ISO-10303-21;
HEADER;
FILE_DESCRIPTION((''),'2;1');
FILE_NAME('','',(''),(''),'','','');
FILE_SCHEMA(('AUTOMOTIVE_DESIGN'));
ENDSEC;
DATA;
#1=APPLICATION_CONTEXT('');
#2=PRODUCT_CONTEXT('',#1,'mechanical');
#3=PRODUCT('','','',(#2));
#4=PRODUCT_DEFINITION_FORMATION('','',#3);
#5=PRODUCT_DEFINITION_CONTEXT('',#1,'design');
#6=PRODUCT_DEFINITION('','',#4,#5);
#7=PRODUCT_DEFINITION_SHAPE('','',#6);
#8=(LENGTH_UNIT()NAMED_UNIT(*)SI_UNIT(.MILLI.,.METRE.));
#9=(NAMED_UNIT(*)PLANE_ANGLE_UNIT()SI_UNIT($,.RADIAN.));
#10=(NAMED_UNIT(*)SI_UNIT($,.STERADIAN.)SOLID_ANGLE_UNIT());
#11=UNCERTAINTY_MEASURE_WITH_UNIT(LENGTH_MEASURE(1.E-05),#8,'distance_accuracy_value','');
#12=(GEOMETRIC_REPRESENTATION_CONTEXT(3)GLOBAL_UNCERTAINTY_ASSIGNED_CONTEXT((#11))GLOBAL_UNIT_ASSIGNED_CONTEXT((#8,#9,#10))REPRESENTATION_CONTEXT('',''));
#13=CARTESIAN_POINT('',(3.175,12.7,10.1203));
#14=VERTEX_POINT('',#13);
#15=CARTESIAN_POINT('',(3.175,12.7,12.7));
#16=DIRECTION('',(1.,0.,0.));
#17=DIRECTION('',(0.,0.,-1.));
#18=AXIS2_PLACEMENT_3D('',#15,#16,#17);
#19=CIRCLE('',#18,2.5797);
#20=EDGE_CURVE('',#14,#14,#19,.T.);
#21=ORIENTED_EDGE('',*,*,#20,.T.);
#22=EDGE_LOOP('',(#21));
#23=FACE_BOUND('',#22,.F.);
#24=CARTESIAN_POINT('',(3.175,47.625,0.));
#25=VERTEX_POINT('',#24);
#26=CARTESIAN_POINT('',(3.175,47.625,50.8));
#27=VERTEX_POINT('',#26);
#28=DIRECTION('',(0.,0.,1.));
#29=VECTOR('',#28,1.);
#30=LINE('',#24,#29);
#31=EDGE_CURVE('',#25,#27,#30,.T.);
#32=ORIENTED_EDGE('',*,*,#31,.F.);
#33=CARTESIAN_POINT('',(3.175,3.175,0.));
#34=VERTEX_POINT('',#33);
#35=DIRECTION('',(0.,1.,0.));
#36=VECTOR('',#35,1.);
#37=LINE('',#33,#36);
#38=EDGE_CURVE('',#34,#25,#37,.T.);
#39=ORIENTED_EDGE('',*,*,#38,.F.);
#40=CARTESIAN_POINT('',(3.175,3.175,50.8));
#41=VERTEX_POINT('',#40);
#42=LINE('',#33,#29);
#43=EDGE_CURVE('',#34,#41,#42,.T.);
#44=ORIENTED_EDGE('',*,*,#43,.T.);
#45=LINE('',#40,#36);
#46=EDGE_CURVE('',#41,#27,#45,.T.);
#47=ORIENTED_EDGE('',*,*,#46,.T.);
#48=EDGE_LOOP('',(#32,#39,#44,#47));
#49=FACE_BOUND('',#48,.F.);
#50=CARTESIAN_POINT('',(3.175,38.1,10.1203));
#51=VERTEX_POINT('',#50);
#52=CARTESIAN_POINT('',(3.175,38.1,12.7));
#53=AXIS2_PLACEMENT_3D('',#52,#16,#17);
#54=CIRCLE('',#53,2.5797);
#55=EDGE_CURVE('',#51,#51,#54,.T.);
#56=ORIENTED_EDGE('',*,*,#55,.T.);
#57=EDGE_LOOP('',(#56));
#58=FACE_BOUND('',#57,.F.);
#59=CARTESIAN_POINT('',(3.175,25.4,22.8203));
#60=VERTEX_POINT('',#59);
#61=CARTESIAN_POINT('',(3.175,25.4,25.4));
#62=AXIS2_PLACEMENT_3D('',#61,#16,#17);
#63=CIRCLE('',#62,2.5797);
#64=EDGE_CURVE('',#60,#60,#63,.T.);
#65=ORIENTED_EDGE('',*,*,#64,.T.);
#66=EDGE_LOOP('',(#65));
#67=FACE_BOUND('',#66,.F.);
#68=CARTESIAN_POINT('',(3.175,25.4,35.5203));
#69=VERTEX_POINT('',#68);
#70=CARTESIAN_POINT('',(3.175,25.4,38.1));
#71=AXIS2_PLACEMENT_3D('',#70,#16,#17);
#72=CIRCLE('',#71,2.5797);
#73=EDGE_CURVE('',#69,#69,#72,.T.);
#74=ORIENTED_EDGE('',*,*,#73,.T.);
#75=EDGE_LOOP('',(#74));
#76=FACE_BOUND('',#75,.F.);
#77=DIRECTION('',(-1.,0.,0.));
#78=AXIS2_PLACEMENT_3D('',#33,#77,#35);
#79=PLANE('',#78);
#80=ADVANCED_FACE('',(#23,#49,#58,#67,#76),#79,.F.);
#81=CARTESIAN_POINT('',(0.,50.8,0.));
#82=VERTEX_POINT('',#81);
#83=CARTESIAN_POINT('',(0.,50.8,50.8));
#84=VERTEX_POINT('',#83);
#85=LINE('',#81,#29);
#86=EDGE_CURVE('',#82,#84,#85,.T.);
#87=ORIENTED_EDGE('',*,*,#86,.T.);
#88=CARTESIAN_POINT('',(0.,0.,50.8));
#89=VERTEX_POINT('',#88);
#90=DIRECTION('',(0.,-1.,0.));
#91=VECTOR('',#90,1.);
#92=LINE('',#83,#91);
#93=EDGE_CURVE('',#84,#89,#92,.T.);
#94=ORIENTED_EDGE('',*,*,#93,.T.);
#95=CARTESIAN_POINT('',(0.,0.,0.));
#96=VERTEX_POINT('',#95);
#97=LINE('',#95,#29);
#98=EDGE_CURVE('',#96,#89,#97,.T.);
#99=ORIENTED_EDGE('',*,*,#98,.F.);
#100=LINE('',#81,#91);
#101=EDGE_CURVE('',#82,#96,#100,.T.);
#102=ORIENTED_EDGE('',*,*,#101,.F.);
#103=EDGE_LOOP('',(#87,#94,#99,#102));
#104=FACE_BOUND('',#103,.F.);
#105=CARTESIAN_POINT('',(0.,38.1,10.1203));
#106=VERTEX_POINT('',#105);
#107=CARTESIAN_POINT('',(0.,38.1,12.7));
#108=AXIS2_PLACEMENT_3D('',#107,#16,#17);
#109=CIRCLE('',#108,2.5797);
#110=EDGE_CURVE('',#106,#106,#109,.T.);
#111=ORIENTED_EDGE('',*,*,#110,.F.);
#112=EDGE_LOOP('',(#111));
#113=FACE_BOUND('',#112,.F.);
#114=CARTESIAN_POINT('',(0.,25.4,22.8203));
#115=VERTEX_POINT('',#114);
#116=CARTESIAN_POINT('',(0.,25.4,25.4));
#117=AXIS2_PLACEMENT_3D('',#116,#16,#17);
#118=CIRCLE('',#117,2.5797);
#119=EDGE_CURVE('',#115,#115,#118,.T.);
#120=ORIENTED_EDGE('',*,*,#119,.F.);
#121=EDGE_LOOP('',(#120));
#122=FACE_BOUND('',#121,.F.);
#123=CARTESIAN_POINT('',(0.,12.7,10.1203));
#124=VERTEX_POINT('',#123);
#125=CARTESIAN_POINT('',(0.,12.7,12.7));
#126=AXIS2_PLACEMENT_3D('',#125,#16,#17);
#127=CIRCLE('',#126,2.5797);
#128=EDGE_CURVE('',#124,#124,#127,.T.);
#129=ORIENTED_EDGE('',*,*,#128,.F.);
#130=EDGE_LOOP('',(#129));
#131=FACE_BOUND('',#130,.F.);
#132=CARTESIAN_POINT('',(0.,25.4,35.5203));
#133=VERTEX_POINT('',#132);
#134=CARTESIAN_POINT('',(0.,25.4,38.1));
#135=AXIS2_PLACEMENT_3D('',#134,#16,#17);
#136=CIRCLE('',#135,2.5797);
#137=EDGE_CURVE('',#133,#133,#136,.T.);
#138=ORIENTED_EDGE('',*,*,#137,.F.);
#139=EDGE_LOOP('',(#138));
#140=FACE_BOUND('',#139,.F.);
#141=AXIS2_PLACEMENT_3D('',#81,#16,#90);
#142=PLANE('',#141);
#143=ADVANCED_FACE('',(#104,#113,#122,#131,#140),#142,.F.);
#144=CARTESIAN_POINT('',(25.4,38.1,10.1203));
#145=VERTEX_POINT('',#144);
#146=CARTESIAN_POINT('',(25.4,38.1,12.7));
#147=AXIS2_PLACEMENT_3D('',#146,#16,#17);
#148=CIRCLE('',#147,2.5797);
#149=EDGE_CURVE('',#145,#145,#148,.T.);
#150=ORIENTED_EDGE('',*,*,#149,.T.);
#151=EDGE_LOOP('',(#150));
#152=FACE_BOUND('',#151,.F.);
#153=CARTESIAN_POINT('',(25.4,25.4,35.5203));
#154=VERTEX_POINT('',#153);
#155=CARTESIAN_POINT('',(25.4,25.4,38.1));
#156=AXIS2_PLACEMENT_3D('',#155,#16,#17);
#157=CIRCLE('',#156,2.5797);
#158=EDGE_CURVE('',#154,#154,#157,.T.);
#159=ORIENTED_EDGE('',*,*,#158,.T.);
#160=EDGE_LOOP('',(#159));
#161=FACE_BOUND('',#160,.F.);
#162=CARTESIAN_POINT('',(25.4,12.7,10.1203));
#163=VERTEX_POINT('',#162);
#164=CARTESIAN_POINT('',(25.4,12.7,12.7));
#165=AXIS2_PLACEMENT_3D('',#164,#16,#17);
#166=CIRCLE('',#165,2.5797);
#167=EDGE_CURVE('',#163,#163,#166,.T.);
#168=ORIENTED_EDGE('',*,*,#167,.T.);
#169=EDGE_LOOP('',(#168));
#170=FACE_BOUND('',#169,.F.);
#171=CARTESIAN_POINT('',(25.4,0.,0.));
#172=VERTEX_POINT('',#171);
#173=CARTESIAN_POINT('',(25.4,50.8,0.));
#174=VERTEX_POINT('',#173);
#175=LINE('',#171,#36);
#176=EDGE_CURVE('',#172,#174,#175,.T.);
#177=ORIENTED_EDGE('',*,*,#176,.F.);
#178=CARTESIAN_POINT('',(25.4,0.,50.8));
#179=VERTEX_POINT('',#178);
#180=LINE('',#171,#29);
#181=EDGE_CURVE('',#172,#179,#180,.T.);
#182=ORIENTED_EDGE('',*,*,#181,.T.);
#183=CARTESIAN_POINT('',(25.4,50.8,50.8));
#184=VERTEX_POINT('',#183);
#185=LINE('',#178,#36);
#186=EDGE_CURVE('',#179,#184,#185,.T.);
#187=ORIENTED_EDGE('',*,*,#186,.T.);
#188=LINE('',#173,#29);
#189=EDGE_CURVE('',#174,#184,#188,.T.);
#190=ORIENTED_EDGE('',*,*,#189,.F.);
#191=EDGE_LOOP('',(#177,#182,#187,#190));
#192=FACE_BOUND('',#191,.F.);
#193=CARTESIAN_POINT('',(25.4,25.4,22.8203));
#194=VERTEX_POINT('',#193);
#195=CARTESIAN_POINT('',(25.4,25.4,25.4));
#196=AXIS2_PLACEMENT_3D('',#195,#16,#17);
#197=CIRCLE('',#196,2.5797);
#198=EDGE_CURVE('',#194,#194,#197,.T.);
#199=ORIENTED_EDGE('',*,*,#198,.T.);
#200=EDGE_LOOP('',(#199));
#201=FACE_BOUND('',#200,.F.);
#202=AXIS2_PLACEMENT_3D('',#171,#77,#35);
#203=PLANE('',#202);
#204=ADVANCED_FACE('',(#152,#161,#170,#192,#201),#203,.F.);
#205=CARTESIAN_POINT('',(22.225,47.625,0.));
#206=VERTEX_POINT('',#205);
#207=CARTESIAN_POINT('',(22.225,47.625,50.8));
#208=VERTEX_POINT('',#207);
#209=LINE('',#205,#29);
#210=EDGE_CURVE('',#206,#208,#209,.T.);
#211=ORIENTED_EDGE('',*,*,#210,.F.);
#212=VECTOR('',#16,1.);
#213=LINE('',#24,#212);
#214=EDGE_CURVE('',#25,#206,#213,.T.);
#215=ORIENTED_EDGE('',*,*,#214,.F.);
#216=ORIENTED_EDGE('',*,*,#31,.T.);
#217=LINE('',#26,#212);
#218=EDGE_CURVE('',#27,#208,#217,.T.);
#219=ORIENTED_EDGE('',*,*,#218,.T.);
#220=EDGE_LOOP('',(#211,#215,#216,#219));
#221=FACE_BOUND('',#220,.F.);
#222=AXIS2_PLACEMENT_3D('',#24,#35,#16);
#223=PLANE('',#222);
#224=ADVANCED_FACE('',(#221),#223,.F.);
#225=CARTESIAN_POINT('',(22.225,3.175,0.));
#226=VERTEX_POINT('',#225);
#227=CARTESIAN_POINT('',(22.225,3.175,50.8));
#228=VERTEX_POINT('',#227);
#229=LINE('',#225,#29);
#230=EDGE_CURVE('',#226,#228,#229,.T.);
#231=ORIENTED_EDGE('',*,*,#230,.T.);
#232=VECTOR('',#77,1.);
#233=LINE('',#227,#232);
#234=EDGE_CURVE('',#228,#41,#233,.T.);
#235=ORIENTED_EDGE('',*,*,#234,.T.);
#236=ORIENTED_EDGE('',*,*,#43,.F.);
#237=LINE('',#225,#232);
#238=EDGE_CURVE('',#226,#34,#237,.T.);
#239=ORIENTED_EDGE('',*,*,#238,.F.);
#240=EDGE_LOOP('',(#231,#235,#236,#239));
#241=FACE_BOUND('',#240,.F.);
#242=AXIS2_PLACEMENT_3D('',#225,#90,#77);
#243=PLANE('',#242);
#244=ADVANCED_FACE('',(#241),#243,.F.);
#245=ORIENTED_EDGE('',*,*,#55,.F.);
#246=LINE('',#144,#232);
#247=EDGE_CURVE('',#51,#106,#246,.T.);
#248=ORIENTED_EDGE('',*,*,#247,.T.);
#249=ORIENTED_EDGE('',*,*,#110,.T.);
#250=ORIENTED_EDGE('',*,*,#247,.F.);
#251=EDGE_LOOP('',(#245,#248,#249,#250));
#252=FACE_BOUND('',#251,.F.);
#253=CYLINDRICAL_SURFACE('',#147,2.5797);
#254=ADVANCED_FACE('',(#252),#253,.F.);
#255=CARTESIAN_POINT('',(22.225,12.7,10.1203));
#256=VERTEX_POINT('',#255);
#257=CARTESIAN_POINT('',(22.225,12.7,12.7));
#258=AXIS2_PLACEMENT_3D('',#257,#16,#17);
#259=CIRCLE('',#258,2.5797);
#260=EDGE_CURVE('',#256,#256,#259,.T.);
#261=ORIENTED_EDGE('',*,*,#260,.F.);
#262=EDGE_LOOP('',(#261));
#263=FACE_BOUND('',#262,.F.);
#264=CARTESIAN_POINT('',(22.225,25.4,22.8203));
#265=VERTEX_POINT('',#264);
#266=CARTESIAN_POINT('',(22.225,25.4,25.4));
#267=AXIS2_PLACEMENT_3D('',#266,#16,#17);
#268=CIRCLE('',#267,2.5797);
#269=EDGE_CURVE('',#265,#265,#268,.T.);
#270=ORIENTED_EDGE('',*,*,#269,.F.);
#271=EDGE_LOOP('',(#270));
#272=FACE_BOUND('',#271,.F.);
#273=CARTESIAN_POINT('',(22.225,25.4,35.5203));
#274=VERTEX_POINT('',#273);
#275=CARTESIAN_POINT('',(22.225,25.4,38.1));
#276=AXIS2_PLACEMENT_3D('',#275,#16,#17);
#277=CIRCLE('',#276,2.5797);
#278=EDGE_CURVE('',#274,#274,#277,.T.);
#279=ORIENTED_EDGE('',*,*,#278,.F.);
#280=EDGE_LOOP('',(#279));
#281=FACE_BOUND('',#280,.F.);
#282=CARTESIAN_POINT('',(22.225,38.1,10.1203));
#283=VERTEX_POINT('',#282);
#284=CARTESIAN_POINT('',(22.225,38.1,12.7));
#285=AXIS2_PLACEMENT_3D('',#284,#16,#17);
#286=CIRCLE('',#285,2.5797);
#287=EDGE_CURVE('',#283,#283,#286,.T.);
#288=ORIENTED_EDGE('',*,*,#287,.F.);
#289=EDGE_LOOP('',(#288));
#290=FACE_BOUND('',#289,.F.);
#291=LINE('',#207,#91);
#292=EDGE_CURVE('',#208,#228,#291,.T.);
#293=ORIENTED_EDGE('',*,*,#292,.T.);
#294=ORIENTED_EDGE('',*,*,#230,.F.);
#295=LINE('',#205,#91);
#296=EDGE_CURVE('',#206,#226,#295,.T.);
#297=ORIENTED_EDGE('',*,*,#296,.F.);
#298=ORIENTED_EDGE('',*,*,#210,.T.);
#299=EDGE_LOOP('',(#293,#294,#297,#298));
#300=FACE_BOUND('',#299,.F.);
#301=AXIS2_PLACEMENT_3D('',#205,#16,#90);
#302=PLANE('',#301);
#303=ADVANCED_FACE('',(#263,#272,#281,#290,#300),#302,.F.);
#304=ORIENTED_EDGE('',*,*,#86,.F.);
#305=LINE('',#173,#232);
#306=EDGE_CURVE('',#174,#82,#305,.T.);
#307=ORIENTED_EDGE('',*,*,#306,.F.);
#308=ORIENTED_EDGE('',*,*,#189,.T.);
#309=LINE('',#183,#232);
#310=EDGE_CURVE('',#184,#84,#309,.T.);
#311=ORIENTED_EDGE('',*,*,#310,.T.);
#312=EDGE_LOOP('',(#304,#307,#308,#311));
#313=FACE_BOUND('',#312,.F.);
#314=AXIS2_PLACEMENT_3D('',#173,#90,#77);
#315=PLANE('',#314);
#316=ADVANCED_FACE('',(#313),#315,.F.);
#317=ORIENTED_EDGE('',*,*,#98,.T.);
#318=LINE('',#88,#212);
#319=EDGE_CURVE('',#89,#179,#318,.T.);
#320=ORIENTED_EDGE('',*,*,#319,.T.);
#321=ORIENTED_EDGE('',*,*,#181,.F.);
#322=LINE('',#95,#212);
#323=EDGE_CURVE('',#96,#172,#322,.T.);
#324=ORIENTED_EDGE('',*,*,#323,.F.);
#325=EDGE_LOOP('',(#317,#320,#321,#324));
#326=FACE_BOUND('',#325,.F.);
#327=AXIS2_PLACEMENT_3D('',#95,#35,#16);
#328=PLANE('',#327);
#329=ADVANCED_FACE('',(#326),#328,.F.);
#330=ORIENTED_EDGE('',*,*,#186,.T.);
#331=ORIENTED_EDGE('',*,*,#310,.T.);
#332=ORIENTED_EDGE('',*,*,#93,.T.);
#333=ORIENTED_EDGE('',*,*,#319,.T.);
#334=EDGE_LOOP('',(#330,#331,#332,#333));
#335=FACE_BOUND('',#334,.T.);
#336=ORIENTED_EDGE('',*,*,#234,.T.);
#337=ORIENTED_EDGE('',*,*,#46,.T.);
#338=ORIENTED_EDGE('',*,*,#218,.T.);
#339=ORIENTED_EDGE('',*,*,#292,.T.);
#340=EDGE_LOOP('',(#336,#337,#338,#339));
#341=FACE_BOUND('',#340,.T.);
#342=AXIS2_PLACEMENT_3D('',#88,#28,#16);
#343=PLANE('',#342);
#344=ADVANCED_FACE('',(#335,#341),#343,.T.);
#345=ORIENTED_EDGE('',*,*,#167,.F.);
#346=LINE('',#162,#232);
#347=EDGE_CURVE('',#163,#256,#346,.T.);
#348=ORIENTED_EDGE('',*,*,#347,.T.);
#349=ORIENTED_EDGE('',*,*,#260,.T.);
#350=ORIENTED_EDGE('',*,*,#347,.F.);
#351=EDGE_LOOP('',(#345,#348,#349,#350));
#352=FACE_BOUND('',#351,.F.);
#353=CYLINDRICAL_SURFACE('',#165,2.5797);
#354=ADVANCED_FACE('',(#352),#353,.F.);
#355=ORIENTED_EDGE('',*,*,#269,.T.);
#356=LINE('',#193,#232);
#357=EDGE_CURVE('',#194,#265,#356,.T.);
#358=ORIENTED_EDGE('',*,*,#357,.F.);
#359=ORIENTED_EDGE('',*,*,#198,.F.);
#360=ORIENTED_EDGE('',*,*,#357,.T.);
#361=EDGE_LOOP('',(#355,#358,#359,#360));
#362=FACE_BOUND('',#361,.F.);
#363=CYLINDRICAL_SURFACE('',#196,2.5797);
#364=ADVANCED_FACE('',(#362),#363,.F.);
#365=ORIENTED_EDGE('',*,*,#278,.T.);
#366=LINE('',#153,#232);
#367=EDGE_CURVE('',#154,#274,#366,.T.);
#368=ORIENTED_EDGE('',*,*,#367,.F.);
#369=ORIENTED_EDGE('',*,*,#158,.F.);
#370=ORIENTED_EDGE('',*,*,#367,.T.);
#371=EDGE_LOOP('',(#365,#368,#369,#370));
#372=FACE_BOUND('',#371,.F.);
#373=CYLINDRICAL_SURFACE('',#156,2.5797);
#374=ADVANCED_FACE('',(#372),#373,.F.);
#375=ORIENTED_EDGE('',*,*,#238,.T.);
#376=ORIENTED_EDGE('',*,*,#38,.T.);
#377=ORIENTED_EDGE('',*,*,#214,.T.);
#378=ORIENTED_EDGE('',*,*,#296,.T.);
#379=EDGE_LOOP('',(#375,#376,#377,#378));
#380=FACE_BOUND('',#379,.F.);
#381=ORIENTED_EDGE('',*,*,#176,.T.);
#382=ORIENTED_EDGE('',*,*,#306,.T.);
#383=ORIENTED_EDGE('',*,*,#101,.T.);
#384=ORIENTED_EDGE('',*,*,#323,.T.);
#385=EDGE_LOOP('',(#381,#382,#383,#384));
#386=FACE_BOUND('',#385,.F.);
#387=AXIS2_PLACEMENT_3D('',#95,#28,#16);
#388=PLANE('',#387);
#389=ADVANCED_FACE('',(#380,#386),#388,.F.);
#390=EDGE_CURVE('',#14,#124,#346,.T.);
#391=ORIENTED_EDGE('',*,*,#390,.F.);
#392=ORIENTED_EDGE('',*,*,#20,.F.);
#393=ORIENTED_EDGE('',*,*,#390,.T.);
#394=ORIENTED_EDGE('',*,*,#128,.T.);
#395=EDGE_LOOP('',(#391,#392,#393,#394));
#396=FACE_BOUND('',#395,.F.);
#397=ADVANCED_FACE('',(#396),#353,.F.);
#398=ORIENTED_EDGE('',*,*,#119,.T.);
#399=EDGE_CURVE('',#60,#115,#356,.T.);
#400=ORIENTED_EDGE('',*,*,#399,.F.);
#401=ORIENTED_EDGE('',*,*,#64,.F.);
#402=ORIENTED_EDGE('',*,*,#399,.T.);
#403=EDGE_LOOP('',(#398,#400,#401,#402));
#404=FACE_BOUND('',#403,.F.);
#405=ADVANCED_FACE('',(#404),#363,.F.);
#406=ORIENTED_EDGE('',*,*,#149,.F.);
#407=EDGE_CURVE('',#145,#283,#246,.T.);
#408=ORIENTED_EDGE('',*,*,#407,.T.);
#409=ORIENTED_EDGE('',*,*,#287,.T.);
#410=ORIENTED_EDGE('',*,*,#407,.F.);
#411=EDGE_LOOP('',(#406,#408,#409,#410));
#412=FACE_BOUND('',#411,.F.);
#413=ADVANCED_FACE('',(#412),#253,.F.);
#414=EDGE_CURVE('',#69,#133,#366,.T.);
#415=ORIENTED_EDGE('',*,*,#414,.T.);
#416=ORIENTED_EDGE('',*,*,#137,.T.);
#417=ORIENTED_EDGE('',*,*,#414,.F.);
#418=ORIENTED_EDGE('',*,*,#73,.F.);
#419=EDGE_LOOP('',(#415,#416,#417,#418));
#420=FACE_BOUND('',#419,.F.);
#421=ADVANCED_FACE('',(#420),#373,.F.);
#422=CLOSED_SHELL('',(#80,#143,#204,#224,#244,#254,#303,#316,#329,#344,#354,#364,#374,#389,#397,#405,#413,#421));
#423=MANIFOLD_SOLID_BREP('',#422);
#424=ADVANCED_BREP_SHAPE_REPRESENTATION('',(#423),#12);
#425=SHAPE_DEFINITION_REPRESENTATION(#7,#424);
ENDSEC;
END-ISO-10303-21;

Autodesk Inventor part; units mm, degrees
ref_plane "YZ Plane" through (0, 0, 0) normal (1, 0, 0) x (0, 1, 0)
ref_plane "XZ Plane" through (0, 0, 0) normal (0, 1, 0) x (-1, 0, 0)
ref_plane "XY Plane" through (0, 0, 0) normal (0, 0, 1) x (1, 0, 0)
sketch "Sketch1" plane through (0, 0, 0) normal (0, 0, 1) x (1, 0, 0)
  line L0 (0, 0) -> (25.4, 0)
  line L1 (25.4, 0) -> (25.4, 50.8)
  line L2 (25.4, 50.8) -> (0, 50.8)
  line L3 (0, 50.8) -> (0, 0)
  line L4 (3.175, 47.625) -> (22.225, 47.625)
  line L5 (22.225, 47.625) -> (22.225, 3.175)
  line L6 (22.225, 3.175) -> (3.175, 3.175)
  line L7 (3.175, 3.175) -> (3.175, 47.625)
  dimension "d0" = 25.4
  dimension "d1" = 50.8
  dimension "d2" = 3.175
extrude "Extrusion1" add sketch "Sketch1" along normal blind 50.8
sketch "Sketch2" plane through (25.4, 0, 0) normal (1, 0, 0) x (0, 0, -1)
  line L0 (0, 50.8) -> (0, 0) construction
  line L1 (0, 0) -> (-12.7, 0) construction
  line L2 (0, 0) -> (-50.8, 0) construction
  line L3 (-12.7, 0) -> (-12.7, 12.7) construction
  line L4 (-12.7, 12.7) -> (-12.7, 38.1) construction
  circle A0 centre (-12.7, 12.7) radius 2.5797
  circle A1 centre (-12.7, 38.1) radius 2.5797
  dimension "d5" = 12.7
  dimension "d6" = 12.7
  dimension "d7" = 25.4
  dimension "d8" = 5.1594
extrude "Extrusion2" cut sketch "Sketch2" against normal blind 50.8
sketch "Sketch3" plane through (25.4, 0, 0) normal (1, 0, 0) x (0, 0, -1)
  line L0 (-50.8, 3.175) -> (-50.8, 47.625) projected
  line L1 (-50.8, 25.4) -> (-38.1, 25.4) construction
  line L2 (-38.1, 25.4) -> (-25.4, 25.4) construction
  circle A0 centre (-38.1, 25.4) radius 2.5797
  circle A1 centre (-25.4, 25.4) radius 2.5797
  point P0 (0, 0)
  dimension "d11" = 12.7
  dimension "d12" = 12.7
  dimension "d13" = 5.1594
extrude "Extrusion3" cut sketch "Sketch3" against normal blind 25.4
properties part number "2in 1x2"
